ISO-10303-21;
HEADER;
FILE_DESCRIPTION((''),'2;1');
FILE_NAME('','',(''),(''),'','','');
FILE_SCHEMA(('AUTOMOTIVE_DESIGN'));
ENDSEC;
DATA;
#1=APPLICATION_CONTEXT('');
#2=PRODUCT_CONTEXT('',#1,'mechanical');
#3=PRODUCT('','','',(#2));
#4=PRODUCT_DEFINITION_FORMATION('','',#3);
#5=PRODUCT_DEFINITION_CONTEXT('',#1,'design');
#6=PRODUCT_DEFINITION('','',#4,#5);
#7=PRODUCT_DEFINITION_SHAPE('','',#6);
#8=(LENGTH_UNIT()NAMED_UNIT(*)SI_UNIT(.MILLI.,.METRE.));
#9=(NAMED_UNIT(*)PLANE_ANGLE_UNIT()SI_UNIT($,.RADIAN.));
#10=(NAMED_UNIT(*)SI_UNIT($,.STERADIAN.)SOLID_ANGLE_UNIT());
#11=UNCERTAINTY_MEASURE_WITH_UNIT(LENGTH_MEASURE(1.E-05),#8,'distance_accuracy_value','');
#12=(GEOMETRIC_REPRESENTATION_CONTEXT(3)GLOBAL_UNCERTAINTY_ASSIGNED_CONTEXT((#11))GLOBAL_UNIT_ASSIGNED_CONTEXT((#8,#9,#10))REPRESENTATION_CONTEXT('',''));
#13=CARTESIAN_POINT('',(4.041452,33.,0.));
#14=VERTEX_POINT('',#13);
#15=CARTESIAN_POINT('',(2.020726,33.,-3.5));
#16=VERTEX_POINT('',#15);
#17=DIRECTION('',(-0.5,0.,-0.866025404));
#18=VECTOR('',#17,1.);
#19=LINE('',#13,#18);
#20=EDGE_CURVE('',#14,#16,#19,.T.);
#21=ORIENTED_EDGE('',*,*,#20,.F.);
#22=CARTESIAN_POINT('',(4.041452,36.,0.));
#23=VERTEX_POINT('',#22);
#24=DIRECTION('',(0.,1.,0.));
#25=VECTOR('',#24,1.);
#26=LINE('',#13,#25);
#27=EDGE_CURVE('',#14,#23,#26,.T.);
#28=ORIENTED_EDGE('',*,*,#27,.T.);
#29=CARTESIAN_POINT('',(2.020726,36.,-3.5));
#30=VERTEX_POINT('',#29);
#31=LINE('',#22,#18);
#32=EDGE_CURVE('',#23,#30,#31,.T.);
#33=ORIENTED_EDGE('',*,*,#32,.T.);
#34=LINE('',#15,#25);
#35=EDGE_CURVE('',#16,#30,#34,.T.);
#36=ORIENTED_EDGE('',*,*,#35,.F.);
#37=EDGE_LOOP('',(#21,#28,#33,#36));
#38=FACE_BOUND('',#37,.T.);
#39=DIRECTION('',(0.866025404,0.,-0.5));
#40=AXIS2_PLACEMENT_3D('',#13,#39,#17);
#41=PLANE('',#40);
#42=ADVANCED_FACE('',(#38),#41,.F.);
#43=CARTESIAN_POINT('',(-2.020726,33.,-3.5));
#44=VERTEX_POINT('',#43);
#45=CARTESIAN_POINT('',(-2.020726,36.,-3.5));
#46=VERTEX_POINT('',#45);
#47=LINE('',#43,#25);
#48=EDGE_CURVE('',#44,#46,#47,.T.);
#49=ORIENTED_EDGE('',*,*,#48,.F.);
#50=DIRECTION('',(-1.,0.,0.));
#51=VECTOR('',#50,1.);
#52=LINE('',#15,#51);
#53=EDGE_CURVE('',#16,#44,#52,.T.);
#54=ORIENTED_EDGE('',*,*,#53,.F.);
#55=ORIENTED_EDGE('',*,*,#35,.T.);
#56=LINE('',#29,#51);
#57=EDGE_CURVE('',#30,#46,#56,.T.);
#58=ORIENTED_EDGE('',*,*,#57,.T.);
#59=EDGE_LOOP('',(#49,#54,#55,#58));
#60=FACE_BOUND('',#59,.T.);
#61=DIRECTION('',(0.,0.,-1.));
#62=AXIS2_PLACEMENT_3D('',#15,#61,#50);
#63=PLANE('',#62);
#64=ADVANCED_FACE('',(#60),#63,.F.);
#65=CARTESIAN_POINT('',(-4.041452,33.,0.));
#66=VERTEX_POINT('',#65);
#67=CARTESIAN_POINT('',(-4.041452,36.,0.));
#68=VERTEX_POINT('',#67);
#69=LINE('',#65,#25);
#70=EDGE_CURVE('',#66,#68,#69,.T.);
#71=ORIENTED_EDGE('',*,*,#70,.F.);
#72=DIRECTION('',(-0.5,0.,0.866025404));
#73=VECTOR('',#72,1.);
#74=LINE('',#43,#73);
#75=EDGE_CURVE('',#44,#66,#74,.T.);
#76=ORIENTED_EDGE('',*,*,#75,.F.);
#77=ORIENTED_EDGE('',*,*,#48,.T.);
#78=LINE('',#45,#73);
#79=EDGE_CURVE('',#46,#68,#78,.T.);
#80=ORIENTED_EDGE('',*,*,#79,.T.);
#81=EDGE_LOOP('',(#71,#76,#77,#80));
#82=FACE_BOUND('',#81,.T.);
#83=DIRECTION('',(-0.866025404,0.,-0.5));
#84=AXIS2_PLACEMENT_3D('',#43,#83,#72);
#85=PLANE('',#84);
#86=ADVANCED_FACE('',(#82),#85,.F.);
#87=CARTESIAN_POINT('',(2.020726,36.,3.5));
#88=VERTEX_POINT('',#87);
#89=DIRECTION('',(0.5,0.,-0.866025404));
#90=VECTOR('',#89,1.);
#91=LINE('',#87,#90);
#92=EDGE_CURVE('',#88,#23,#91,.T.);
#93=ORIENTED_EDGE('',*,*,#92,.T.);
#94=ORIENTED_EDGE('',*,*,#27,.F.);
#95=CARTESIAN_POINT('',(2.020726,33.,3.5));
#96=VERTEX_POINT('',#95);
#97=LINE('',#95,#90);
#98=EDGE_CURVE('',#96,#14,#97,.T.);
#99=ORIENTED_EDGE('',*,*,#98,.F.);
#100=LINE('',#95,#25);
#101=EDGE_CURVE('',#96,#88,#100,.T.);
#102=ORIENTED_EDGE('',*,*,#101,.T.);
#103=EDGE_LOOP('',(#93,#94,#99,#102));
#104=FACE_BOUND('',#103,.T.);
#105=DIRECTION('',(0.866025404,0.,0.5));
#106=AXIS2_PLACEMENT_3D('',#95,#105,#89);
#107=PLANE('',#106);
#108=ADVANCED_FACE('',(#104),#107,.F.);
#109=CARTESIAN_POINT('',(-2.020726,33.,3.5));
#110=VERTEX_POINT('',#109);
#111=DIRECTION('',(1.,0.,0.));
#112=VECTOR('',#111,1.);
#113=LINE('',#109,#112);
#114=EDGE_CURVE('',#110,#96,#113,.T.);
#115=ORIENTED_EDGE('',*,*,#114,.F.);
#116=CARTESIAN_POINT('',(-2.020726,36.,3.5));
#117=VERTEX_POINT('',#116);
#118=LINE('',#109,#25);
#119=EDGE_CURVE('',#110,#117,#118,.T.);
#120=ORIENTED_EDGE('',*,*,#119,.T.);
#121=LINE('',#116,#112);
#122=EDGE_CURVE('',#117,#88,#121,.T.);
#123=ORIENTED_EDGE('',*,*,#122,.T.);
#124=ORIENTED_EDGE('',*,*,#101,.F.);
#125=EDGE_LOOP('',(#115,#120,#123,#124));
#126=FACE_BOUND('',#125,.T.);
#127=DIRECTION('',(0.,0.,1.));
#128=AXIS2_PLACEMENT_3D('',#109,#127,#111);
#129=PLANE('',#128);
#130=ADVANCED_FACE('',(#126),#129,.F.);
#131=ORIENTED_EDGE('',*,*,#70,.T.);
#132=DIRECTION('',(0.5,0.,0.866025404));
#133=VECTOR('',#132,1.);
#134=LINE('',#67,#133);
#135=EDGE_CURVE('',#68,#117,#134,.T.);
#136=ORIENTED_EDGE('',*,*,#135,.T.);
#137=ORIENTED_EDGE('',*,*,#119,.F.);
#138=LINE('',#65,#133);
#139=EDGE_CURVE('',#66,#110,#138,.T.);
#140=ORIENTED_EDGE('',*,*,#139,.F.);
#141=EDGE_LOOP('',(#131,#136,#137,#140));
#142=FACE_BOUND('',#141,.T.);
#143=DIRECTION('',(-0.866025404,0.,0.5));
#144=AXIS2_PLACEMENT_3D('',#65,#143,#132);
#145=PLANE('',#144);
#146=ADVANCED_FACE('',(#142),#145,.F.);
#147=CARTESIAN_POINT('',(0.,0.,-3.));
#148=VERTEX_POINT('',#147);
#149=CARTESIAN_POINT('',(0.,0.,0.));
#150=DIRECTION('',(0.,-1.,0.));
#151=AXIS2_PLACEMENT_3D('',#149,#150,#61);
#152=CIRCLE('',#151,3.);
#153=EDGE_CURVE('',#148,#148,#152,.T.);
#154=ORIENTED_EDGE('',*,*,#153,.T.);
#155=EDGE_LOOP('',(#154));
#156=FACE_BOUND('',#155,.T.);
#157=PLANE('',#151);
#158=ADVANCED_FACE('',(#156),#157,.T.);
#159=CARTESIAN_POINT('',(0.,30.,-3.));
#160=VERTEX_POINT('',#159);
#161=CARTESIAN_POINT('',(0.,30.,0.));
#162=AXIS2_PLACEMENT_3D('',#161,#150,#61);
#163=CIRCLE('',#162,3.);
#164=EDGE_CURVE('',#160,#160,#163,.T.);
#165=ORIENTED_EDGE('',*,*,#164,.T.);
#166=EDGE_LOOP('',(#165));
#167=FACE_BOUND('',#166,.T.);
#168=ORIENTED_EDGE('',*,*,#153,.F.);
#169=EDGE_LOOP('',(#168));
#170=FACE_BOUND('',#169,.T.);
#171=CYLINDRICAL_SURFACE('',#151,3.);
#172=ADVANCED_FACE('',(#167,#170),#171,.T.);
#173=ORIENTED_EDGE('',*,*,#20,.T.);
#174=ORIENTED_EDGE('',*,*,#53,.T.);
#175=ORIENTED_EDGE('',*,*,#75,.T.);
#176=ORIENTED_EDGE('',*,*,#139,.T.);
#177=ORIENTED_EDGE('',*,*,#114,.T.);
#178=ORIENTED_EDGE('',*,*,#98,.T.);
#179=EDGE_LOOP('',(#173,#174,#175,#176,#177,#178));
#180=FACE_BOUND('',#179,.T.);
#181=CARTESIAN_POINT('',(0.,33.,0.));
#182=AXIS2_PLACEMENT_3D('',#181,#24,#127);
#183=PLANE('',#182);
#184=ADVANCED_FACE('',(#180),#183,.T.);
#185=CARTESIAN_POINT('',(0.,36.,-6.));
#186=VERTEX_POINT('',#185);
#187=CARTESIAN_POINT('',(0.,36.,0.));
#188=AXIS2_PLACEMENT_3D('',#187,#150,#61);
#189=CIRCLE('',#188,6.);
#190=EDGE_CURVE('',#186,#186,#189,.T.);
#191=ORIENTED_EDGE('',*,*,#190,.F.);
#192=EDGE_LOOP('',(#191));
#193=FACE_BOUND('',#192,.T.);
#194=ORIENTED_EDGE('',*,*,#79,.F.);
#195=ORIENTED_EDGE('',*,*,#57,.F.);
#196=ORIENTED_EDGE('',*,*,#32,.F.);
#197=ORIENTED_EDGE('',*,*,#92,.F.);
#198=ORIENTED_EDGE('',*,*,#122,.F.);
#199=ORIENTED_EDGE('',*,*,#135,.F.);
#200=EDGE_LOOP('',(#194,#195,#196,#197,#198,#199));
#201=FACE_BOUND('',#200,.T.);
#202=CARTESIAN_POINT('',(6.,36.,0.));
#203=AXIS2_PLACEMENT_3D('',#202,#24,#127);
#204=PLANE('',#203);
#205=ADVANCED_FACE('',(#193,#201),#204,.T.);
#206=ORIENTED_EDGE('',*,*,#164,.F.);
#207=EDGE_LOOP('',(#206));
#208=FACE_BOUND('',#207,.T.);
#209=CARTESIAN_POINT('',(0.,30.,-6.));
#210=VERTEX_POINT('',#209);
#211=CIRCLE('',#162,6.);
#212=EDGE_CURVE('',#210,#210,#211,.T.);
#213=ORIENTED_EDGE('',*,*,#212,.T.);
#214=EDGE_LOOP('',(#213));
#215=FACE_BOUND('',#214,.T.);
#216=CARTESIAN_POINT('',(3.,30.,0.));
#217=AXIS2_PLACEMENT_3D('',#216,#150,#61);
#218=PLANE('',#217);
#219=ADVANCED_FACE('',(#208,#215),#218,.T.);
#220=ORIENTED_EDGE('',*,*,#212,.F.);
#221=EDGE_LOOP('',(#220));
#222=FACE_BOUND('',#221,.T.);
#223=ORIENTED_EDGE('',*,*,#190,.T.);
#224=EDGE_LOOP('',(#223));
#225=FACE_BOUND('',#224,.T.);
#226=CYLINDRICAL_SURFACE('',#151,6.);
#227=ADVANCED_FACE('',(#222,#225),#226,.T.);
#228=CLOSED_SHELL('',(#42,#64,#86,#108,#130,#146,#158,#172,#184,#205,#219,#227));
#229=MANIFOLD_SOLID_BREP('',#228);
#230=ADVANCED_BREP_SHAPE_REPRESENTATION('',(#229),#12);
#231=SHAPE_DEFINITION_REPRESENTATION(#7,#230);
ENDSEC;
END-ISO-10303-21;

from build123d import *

# Parameters (mm, degrees)
CUT_EXTRUDE1_DEPTH = 3


with BuildPart() as part:
    # Sketch1 → Revolve1 (revolve)
    with BuildSketch(Plane.XY, mode=Mode.PRIVATE) as revolve1_sk:
        Polygon((0, 0), (3, 0), (3, 30), (6, 30), (6, 36), (0, 36), align=None)
    revolve(revolve1_sk.sketch.rotate(Axis((0, 0, 0), (0, 1, 0)), 90), axis=Axis((0, 0, 0), (0, 1, 0)))

    # Sketch2 → Cut-Extrude1 (cut)
    with BuildSketch(Plane(origin=(0, 36, 0), x_dir=(1, 0, 0), z_dir=(0, 1, 0))):
        Polygon((2.020725942, 3.5), (-2.020725942, 3.5), (-4.041451884, 0), (-2.020725942, -3.5), (2.020725942, -3.5), (4.041451884, 0), align=None)
    extrude(amount=-CUT_EXTRUDE1_DEPTH, mode=Mode.SUBTRACT)


solid = part.part
